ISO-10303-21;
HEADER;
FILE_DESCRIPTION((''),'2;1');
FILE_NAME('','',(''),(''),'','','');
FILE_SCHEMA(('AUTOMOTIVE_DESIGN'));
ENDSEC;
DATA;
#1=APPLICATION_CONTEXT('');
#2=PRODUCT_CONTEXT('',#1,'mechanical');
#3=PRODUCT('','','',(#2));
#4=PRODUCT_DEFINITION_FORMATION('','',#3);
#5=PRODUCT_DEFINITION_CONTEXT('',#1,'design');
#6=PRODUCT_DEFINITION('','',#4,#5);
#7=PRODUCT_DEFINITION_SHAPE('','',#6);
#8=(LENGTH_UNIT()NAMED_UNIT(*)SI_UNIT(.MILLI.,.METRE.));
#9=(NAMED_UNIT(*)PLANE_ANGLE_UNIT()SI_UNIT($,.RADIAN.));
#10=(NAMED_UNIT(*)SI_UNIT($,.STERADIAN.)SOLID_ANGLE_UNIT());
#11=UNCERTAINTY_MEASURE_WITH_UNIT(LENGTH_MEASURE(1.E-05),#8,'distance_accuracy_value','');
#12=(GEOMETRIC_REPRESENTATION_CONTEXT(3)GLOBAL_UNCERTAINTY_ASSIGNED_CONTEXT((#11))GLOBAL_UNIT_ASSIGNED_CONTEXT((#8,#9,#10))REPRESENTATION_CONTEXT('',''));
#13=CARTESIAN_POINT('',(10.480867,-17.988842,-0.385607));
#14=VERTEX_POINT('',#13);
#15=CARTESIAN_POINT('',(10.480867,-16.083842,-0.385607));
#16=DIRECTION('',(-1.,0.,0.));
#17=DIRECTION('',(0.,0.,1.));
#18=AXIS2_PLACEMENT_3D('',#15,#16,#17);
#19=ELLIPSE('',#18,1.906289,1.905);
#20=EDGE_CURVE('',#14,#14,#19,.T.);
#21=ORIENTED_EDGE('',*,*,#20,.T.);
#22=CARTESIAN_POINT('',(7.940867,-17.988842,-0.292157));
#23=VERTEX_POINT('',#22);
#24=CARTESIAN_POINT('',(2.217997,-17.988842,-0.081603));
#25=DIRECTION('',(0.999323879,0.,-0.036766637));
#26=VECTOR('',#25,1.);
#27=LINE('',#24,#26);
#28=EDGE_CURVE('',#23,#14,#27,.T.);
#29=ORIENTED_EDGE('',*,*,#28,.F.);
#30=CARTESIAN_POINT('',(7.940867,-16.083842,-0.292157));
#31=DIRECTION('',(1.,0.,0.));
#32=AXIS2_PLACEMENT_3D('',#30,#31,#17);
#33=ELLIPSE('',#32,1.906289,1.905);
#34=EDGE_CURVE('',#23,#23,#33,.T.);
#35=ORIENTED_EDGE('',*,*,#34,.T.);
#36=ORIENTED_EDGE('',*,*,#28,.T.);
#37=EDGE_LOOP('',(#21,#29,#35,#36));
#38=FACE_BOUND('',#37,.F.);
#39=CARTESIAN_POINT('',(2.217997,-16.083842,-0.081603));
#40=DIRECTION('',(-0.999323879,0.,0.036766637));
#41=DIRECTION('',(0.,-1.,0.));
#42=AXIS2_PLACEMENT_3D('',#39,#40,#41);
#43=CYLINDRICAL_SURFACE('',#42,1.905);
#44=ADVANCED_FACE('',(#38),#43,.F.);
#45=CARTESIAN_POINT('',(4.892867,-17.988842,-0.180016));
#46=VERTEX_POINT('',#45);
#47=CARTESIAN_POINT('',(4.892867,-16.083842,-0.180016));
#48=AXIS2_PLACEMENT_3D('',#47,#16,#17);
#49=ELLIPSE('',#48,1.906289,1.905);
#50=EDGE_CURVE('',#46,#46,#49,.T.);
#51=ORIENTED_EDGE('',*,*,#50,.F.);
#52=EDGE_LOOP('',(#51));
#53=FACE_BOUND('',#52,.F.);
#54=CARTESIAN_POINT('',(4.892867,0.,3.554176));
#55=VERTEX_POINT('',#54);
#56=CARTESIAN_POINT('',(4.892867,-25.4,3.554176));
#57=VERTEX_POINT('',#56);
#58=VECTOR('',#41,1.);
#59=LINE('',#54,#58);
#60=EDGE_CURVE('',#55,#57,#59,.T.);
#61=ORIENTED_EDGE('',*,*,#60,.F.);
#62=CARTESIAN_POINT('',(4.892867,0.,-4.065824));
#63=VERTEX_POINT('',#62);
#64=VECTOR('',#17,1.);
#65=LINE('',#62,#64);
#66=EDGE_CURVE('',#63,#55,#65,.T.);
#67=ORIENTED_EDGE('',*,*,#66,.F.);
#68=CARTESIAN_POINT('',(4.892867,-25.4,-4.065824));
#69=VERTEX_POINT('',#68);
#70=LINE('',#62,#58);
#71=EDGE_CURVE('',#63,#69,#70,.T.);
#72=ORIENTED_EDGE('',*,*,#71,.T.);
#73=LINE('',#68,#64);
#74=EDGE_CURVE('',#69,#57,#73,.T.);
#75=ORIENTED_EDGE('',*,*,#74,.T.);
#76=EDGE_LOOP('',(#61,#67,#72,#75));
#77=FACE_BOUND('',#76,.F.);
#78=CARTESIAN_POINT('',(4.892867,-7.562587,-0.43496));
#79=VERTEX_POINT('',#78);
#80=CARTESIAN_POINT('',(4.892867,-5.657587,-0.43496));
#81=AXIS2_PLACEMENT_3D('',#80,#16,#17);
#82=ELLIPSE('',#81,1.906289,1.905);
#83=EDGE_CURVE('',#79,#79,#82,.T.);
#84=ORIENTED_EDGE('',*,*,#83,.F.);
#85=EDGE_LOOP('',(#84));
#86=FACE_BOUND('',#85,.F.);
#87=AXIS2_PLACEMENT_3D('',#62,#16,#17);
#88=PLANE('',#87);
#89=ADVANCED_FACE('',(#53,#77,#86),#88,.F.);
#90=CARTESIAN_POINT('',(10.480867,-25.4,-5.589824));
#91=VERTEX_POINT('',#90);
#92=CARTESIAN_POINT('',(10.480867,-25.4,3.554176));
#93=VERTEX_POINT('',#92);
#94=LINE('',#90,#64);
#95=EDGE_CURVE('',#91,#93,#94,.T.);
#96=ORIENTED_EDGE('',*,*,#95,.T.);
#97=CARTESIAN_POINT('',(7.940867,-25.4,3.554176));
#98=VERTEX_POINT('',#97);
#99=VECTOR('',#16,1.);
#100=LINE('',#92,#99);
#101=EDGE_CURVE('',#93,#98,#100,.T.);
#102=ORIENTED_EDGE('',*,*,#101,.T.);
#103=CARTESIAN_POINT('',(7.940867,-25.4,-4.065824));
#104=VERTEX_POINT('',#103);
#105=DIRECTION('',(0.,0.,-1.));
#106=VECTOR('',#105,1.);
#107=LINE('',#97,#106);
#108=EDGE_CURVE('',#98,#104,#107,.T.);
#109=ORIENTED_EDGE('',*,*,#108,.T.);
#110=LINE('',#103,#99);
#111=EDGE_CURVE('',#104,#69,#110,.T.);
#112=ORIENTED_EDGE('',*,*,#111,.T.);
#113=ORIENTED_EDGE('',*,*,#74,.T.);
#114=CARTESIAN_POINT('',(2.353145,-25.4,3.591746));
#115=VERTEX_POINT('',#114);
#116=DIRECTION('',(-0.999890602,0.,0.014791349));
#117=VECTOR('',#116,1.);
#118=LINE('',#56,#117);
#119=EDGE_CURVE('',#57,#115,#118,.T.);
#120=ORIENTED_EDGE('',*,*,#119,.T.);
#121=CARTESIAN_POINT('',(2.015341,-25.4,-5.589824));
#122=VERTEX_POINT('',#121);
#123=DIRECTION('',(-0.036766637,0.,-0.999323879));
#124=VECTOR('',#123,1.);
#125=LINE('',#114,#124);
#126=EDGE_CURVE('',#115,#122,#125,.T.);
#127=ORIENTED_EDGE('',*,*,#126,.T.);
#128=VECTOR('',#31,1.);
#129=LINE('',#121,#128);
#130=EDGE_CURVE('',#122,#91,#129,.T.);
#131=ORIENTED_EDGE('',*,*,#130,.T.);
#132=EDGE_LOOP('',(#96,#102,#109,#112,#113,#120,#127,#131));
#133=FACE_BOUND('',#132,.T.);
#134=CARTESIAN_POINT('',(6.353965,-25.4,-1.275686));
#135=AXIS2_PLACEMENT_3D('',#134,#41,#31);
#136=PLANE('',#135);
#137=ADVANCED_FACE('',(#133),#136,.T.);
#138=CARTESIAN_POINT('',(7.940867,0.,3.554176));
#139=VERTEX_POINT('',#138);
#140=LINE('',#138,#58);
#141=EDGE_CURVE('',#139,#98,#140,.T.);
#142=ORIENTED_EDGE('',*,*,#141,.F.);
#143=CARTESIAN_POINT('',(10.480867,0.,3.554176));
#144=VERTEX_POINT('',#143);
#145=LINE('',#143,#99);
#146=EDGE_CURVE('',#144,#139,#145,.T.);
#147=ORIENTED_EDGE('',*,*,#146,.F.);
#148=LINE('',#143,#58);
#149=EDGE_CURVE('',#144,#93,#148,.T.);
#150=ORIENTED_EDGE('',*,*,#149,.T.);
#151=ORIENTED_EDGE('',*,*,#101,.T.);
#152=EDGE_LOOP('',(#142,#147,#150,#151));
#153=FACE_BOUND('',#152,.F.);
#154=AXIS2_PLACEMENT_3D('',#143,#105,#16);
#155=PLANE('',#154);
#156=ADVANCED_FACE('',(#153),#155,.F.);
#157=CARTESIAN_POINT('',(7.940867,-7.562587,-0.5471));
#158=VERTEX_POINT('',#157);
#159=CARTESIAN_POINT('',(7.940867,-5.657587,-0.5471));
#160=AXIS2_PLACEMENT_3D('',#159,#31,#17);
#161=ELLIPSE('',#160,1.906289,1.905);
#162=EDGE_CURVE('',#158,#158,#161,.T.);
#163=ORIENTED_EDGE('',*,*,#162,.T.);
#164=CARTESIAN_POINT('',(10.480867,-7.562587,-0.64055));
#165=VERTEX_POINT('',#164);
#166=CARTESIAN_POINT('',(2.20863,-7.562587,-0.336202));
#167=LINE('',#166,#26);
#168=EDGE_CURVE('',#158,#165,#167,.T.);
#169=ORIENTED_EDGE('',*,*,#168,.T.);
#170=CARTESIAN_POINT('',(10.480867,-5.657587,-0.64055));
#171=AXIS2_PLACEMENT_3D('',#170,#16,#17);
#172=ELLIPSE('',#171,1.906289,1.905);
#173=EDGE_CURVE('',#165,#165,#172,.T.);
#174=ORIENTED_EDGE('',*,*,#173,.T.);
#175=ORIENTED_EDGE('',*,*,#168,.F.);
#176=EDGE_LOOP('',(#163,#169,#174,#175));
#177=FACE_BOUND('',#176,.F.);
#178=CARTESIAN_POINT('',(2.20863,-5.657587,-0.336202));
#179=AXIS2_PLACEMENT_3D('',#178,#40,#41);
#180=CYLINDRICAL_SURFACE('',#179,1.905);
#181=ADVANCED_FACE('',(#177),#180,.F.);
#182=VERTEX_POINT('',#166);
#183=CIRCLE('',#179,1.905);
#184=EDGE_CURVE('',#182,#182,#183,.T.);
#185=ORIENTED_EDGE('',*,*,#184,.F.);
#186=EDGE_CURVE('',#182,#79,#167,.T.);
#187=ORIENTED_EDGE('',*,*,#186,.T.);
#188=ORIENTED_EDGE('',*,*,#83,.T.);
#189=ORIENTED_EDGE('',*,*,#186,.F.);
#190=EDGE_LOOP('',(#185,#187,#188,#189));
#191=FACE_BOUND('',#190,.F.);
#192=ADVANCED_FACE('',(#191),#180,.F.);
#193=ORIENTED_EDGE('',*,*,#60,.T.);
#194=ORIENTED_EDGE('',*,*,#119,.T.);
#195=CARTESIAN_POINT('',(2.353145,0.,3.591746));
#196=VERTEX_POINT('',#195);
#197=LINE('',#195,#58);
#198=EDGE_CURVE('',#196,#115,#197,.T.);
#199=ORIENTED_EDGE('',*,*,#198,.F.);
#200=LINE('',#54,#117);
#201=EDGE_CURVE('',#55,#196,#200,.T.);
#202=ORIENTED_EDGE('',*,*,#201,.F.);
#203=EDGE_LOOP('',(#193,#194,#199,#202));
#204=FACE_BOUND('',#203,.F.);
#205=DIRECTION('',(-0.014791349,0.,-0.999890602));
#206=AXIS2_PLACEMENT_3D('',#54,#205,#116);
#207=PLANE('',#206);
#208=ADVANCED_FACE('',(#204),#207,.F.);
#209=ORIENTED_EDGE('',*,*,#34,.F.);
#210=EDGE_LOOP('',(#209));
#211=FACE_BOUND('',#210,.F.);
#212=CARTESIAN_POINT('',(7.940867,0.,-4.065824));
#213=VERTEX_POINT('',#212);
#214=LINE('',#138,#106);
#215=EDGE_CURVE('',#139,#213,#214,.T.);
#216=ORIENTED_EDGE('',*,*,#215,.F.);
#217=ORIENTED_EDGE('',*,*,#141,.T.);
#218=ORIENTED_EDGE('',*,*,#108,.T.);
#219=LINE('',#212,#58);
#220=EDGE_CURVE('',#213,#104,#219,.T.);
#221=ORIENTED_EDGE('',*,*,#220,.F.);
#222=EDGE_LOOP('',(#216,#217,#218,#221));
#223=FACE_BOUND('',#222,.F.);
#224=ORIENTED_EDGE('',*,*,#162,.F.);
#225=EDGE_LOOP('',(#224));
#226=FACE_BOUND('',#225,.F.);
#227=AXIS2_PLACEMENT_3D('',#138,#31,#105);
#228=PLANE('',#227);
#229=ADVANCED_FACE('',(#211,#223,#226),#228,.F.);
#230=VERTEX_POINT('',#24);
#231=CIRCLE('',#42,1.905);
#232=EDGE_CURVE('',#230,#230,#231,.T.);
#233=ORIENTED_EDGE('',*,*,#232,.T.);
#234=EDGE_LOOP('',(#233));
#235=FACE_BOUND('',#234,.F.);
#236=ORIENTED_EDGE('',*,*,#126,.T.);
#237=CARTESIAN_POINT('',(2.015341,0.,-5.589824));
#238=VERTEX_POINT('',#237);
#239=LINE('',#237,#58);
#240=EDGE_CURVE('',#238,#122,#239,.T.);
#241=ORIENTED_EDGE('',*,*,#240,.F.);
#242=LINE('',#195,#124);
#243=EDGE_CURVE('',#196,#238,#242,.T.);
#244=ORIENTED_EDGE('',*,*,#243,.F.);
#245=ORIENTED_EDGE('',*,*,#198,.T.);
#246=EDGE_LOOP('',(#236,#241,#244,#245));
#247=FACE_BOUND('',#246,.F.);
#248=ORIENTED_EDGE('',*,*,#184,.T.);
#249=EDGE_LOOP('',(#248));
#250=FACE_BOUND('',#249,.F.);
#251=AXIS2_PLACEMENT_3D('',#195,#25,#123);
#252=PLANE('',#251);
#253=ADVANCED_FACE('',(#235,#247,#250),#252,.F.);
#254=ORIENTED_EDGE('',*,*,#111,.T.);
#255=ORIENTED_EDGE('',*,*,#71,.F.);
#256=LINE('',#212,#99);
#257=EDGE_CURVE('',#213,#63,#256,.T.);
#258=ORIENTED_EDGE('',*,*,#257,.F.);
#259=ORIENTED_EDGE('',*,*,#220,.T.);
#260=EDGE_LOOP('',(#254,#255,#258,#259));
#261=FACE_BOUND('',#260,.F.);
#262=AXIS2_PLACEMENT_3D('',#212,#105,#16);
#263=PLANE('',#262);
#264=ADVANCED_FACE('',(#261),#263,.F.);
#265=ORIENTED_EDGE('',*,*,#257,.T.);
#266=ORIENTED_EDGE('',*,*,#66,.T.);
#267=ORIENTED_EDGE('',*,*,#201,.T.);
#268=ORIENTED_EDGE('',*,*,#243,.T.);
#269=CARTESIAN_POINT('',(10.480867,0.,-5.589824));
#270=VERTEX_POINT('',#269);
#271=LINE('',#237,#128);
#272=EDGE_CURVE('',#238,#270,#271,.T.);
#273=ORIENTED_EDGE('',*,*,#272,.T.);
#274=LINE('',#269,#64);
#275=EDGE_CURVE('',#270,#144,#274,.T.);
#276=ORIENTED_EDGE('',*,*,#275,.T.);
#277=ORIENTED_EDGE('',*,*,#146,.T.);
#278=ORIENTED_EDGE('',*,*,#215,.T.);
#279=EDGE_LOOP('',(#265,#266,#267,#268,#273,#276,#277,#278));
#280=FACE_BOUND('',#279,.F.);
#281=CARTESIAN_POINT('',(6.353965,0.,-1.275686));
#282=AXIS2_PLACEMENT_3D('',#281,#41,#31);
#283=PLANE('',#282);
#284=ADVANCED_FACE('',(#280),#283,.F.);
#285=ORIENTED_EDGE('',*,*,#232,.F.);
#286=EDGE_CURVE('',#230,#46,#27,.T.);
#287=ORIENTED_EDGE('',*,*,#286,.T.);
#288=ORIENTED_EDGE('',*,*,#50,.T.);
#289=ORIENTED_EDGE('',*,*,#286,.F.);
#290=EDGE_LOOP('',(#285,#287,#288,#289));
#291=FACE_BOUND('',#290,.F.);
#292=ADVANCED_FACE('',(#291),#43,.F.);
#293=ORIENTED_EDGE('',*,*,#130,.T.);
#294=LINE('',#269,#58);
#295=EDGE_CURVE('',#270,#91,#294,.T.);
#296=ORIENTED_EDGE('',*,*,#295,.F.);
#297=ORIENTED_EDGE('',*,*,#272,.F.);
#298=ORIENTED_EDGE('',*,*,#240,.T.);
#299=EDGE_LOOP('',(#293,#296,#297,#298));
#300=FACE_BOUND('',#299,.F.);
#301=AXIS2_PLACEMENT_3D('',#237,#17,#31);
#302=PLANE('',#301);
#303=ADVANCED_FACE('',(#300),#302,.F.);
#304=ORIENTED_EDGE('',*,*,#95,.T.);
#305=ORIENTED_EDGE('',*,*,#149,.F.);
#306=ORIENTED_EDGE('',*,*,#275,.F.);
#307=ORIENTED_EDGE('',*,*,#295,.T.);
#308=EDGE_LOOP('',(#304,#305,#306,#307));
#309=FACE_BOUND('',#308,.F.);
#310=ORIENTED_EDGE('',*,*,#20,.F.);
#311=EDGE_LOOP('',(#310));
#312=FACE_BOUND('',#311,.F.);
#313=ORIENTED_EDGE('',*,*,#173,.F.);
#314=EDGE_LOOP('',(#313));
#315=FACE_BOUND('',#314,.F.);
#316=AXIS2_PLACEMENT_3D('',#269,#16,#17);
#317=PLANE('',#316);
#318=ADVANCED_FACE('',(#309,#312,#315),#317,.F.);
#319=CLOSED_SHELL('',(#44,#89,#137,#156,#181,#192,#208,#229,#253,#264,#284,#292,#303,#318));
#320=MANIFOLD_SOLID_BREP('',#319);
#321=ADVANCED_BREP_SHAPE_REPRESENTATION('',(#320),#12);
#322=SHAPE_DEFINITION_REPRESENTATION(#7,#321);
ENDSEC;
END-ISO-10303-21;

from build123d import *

# Parameters (mm, degrees)
F1_DEPTH = 25.4
F2_R     = 1.905
F3_DEPTH = 25.4


with BuildPart() as f1:
    # F0 (on Front) → F1 (new body)
    with BuildSketch(Plane.XZ):
        Polygon((4.8928674177, 3.5541762707), (2.3531452886, 3.5917462977), (2.0153414423, -5.5898237293), (10.4808674177, -5.5898237293), (10.4808674177, 3.5541762707), (7.9408674177, 3.5541762707), (7.9408674177, -4.0658237293), (4.8928674177, -4.0658237293), align=None)
    extrude(amount=F1_DEPTH)

    # F2 (on face) → F3 (cut)
    with BuildSketch(Plane(origin=(2.2179971955, 0, -0.081603471), x_dir=(0, -1, 0), z_dir=(-0.9993238786, 0, 0.0367666367))):
        with Locations((5.6575868909, -0.2547711513)):
            Circle(F2_R)
        with Locations((16.0838415819, 0)):
            Circle(F2_R)
    extrude(amount=-F3_DEPTH, mode=Mode.SUBTRACT)


solid = f1.part
